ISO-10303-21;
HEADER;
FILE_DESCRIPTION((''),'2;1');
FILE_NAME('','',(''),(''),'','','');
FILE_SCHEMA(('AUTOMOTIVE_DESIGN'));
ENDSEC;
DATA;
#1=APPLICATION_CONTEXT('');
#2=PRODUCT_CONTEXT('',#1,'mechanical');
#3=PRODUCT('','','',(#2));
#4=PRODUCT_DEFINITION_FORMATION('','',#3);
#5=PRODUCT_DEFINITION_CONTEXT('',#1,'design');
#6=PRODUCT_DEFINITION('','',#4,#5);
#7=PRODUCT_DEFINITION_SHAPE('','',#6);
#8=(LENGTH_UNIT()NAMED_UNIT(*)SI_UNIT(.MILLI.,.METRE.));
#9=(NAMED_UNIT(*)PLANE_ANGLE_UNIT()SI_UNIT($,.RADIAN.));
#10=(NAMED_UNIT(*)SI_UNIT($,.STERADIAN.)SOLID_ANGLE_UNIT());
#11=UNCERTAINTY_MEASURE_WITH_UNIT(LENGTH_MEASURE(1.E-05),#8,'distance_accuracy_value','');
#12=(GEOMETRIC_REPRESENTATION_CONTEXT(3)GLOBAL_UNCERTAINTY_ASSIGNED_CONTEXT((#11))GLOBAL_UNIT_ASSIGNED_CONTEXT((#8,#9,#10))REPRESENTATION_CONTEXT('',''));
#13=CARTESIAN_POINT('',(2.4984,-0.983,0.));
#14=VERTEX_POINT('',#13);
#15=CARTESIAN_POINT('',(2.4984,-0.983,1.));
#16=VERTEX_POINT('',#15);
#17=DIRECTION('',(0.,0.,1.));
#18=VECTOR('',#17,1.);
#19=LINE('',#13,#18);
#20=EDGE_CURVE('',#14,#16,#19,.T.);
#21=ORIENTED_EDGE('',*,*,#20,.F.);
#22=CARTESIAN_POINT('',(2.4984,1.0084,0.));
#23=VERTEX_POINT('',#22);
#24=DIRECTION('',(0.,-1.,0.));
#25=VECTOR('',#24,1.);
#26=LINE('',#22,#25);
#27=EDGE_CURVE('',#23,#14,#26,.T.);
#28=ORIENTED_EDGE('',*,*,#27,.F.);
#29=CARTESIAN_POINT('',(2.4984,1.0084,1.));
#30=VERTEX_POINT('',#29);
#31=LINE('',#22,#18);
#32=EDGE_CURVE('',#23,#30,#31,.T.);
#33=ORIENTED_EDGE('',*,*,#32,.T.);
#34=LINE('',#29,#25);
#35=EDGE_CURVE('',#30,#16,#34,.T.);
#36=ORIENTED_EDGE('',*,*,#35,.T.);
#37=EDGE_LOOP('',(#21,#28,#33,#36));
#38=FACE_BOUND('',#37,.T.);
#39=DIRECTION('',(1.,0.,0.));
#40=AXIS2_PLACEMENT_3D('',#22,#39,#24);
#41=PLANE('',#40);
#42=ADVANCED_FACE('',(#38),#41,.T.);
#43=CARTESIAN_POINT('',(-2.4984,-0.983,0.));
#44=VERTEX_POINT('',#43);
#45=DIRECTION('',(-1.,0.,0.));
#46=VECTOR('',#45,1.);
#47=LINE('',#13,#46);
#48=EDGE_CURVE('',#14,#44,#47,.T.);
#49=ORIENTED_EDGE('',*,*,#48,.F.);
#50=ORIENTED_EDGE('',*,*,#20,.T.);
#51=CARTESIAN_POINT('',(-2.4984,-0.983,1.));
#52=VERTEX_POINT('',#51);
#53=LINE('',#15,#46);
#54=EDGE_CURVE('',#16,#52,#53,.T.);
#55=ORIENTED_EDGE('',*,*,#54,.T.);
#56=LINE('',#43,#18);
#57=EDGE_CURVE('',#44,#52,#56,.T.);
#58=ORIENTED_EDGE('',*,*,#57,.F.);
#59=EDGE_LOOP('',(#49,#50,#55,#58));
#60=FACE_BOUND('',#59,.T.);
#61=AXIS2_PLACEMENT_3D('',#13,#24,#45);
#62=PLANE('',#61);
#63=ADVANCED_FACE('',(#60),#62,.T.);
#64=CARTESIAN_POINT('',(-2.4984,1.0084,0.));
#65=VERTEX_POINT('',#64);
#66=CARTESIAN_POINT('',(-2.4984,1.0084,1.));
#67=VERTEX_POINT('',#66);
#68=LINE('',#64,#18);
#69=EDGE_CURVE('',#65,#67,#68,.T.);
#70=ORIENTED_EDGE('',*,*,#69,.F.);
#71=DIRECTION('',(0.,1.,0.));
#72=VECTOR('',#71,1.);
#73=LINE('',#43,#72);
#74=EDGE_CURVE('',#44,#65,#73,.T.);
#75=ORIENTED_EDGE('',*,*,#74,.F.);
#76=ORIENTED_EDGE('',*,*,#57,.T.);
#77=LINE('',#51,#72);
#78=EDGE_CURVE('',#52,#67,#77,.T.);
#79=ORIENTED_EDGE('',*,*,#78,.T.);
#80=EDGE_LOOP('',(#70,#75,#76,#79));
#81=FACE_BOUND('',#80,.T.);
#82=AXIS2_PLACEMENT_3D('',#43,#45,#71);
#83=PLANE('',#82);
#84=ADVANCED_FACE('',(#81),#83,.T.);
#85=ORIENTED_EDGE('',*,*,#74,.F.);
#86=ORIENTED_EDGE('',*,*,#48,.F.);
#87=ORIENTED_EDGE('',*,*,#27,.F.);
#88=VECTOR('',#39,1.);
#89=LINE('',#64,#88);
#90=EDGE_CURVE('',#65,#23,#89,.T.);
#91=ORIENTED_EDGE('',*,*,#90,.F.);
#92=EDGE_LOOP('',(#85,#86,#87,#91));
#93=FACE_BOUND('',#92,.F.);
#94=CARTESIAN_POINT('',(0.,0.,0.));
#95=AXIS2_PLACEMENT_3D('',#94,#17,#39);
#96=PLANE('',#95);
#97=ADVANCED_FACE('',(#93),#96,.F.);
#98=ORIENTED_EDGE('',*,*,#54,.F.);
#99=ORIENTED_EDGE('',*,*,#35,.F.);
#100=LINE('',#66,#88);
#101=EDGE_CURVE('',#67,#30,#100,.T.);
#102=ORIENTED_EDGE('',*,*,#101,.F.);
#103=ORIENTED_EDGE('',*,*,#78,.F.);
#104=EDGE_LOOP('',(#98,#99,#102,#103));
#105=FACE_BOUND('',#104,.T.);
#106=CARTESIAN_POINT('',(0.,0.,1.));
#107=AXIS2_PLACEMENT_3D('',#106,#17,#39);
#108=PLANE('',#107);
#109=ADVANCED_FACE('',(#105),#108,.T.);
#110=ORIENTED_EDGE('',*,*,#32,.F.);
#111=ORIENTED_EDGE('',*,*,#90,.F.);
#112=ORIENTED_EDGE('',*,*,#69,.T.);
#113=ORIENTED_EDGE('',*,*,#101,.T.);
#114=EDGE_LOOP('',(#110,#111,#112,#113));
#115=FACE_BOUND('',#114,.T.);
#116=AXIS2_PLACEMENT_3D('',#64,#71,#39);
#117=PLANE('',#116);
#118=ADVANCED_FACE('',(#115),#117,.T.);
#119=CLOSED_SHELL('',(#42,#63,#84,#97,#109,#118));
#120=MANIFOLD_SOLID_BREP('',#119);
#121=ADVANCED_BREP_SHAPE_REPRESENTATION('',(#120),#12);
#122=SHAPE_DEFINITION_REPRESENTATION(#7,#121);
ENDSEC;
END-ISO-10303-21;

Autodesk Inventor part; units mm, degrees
ref_plane "YZ Plane" through (0, 0, 0) normal (1, 0, 0) x (0, 1, 0)
ref_plane "XZ Plane" through (0, 0, 0) normal (0, 1, 0) x (-1, 0, 0)
ref_plane "XY Plane" through (0, 0, 0) normal (0, 0, 1) x (1, 0, 0)
sketch "C3216, 2_2U_51" plane through (0, 0, 0) normal (0, 0, 1) x (1, 0, 0)
  line L0 (-2.4984, 1.0084) -> (2.4984, 1.0084)
  line L1 (2.4984, 1.0084) -> (2.4984, -0.983)
  line L2 (2.4984, -0.983) -> (-2.4984, -0.983)
  line L3 (-2.4984, -0.983) -> (-2.4984, 1.0084)
extrude "Extrusion1" add sketch "C3216, 2_2U_51" along normal blind 1
properties part number "2_2U"
